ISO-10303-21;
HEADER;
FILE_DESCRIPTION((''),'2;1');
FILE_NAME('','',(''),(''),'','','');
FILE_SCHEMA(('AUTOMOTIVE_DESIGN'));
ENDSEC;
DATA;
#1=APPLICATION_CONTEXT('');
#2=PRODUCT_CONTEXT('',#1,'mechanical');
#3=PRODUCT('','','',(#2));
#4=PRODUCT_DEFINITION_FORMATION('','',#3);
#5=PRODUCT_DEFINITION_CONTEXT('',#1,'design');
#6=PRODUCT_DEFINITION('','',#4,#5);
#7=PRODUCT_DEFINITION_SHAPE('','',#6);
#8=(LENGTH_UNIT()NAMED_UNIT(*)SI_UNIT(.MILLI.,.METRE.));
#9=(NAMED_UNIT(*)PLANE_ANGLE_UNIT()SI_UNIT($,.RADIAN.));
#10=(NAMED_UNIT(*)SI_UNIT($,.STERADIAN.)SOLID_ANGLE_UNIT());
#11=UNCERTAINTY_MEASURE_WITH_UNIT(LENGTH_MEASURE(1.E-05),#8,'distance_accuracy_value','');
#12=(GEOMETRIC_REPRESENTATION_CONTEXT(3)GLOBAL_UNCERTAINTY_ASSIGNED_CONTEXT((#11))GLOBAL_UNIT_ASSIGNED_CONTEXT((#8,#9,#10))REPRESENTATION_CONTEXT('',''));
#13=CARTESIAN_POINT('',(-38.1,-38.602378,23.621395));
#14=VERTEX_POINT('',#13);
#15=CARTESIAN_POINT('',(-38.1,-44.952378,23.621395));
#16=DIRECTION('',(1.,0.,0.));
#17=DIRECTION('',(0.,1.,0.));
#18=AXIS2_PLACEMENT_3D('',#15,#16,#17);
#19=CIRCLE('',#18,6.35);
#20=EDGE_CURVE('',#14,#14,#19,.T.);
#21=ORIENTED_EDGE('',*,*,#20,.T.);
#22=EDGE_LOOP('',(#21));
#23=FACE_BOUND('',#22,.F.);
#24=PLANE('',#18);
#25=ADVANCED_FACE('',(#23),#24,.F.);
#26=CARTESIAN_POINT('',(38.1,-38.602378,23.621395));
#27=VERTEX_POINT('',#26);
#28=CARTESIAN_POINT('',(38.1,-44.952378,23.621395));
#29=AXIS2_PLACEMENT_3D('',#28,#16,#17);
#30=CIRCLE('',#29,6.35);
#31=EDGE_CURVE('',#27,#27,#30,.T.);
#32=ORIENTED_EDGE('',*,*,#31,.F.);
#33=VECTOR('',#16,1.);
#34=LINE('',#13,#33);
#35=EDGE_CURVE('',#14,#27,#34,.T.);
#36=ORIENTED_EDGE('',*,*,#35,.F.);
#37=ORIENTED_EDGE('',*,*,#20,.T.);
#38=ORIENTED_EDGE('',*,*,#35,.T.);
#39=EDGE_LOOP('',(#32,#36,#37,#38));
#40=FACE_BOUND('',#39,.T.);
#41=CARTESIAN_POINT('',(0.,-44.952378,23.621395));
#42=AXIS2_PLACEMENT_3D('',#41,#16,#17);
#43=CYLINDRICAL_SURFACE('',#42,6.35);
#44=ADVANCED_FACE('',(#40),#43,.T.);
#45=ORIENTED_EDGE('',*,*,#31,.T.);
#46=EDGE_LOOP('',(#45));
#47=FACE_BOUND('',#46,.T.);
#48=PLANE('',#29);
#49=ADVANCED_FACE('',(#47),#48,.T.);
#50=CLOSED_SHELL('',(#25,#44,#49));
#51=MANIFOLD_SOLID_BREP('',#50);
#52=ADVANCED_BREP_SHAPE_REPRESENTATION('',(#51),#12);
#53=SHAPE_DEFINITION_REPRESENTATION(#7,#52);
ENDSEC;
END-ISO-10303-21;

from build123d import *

# Parameters (mm, degrees)
F0_R          = 6.35
F1_DEPTH      = 38.1
F1_DEPTH_BACK = 38.1


with BuildPart() as f1:
    # F0 (on Right) → F1 (new body, two sides)
    with BuildSketch(Plane.YZ) as f1_sk:
        with Locations((-44.952378, 23.621395)):
            Circle(F0_R)
    extrude(amount=F1_DEPTH)
    extrude(f1_sk.sketch, amount=-F1_DEPTH_BACK)


solid = f1.part
